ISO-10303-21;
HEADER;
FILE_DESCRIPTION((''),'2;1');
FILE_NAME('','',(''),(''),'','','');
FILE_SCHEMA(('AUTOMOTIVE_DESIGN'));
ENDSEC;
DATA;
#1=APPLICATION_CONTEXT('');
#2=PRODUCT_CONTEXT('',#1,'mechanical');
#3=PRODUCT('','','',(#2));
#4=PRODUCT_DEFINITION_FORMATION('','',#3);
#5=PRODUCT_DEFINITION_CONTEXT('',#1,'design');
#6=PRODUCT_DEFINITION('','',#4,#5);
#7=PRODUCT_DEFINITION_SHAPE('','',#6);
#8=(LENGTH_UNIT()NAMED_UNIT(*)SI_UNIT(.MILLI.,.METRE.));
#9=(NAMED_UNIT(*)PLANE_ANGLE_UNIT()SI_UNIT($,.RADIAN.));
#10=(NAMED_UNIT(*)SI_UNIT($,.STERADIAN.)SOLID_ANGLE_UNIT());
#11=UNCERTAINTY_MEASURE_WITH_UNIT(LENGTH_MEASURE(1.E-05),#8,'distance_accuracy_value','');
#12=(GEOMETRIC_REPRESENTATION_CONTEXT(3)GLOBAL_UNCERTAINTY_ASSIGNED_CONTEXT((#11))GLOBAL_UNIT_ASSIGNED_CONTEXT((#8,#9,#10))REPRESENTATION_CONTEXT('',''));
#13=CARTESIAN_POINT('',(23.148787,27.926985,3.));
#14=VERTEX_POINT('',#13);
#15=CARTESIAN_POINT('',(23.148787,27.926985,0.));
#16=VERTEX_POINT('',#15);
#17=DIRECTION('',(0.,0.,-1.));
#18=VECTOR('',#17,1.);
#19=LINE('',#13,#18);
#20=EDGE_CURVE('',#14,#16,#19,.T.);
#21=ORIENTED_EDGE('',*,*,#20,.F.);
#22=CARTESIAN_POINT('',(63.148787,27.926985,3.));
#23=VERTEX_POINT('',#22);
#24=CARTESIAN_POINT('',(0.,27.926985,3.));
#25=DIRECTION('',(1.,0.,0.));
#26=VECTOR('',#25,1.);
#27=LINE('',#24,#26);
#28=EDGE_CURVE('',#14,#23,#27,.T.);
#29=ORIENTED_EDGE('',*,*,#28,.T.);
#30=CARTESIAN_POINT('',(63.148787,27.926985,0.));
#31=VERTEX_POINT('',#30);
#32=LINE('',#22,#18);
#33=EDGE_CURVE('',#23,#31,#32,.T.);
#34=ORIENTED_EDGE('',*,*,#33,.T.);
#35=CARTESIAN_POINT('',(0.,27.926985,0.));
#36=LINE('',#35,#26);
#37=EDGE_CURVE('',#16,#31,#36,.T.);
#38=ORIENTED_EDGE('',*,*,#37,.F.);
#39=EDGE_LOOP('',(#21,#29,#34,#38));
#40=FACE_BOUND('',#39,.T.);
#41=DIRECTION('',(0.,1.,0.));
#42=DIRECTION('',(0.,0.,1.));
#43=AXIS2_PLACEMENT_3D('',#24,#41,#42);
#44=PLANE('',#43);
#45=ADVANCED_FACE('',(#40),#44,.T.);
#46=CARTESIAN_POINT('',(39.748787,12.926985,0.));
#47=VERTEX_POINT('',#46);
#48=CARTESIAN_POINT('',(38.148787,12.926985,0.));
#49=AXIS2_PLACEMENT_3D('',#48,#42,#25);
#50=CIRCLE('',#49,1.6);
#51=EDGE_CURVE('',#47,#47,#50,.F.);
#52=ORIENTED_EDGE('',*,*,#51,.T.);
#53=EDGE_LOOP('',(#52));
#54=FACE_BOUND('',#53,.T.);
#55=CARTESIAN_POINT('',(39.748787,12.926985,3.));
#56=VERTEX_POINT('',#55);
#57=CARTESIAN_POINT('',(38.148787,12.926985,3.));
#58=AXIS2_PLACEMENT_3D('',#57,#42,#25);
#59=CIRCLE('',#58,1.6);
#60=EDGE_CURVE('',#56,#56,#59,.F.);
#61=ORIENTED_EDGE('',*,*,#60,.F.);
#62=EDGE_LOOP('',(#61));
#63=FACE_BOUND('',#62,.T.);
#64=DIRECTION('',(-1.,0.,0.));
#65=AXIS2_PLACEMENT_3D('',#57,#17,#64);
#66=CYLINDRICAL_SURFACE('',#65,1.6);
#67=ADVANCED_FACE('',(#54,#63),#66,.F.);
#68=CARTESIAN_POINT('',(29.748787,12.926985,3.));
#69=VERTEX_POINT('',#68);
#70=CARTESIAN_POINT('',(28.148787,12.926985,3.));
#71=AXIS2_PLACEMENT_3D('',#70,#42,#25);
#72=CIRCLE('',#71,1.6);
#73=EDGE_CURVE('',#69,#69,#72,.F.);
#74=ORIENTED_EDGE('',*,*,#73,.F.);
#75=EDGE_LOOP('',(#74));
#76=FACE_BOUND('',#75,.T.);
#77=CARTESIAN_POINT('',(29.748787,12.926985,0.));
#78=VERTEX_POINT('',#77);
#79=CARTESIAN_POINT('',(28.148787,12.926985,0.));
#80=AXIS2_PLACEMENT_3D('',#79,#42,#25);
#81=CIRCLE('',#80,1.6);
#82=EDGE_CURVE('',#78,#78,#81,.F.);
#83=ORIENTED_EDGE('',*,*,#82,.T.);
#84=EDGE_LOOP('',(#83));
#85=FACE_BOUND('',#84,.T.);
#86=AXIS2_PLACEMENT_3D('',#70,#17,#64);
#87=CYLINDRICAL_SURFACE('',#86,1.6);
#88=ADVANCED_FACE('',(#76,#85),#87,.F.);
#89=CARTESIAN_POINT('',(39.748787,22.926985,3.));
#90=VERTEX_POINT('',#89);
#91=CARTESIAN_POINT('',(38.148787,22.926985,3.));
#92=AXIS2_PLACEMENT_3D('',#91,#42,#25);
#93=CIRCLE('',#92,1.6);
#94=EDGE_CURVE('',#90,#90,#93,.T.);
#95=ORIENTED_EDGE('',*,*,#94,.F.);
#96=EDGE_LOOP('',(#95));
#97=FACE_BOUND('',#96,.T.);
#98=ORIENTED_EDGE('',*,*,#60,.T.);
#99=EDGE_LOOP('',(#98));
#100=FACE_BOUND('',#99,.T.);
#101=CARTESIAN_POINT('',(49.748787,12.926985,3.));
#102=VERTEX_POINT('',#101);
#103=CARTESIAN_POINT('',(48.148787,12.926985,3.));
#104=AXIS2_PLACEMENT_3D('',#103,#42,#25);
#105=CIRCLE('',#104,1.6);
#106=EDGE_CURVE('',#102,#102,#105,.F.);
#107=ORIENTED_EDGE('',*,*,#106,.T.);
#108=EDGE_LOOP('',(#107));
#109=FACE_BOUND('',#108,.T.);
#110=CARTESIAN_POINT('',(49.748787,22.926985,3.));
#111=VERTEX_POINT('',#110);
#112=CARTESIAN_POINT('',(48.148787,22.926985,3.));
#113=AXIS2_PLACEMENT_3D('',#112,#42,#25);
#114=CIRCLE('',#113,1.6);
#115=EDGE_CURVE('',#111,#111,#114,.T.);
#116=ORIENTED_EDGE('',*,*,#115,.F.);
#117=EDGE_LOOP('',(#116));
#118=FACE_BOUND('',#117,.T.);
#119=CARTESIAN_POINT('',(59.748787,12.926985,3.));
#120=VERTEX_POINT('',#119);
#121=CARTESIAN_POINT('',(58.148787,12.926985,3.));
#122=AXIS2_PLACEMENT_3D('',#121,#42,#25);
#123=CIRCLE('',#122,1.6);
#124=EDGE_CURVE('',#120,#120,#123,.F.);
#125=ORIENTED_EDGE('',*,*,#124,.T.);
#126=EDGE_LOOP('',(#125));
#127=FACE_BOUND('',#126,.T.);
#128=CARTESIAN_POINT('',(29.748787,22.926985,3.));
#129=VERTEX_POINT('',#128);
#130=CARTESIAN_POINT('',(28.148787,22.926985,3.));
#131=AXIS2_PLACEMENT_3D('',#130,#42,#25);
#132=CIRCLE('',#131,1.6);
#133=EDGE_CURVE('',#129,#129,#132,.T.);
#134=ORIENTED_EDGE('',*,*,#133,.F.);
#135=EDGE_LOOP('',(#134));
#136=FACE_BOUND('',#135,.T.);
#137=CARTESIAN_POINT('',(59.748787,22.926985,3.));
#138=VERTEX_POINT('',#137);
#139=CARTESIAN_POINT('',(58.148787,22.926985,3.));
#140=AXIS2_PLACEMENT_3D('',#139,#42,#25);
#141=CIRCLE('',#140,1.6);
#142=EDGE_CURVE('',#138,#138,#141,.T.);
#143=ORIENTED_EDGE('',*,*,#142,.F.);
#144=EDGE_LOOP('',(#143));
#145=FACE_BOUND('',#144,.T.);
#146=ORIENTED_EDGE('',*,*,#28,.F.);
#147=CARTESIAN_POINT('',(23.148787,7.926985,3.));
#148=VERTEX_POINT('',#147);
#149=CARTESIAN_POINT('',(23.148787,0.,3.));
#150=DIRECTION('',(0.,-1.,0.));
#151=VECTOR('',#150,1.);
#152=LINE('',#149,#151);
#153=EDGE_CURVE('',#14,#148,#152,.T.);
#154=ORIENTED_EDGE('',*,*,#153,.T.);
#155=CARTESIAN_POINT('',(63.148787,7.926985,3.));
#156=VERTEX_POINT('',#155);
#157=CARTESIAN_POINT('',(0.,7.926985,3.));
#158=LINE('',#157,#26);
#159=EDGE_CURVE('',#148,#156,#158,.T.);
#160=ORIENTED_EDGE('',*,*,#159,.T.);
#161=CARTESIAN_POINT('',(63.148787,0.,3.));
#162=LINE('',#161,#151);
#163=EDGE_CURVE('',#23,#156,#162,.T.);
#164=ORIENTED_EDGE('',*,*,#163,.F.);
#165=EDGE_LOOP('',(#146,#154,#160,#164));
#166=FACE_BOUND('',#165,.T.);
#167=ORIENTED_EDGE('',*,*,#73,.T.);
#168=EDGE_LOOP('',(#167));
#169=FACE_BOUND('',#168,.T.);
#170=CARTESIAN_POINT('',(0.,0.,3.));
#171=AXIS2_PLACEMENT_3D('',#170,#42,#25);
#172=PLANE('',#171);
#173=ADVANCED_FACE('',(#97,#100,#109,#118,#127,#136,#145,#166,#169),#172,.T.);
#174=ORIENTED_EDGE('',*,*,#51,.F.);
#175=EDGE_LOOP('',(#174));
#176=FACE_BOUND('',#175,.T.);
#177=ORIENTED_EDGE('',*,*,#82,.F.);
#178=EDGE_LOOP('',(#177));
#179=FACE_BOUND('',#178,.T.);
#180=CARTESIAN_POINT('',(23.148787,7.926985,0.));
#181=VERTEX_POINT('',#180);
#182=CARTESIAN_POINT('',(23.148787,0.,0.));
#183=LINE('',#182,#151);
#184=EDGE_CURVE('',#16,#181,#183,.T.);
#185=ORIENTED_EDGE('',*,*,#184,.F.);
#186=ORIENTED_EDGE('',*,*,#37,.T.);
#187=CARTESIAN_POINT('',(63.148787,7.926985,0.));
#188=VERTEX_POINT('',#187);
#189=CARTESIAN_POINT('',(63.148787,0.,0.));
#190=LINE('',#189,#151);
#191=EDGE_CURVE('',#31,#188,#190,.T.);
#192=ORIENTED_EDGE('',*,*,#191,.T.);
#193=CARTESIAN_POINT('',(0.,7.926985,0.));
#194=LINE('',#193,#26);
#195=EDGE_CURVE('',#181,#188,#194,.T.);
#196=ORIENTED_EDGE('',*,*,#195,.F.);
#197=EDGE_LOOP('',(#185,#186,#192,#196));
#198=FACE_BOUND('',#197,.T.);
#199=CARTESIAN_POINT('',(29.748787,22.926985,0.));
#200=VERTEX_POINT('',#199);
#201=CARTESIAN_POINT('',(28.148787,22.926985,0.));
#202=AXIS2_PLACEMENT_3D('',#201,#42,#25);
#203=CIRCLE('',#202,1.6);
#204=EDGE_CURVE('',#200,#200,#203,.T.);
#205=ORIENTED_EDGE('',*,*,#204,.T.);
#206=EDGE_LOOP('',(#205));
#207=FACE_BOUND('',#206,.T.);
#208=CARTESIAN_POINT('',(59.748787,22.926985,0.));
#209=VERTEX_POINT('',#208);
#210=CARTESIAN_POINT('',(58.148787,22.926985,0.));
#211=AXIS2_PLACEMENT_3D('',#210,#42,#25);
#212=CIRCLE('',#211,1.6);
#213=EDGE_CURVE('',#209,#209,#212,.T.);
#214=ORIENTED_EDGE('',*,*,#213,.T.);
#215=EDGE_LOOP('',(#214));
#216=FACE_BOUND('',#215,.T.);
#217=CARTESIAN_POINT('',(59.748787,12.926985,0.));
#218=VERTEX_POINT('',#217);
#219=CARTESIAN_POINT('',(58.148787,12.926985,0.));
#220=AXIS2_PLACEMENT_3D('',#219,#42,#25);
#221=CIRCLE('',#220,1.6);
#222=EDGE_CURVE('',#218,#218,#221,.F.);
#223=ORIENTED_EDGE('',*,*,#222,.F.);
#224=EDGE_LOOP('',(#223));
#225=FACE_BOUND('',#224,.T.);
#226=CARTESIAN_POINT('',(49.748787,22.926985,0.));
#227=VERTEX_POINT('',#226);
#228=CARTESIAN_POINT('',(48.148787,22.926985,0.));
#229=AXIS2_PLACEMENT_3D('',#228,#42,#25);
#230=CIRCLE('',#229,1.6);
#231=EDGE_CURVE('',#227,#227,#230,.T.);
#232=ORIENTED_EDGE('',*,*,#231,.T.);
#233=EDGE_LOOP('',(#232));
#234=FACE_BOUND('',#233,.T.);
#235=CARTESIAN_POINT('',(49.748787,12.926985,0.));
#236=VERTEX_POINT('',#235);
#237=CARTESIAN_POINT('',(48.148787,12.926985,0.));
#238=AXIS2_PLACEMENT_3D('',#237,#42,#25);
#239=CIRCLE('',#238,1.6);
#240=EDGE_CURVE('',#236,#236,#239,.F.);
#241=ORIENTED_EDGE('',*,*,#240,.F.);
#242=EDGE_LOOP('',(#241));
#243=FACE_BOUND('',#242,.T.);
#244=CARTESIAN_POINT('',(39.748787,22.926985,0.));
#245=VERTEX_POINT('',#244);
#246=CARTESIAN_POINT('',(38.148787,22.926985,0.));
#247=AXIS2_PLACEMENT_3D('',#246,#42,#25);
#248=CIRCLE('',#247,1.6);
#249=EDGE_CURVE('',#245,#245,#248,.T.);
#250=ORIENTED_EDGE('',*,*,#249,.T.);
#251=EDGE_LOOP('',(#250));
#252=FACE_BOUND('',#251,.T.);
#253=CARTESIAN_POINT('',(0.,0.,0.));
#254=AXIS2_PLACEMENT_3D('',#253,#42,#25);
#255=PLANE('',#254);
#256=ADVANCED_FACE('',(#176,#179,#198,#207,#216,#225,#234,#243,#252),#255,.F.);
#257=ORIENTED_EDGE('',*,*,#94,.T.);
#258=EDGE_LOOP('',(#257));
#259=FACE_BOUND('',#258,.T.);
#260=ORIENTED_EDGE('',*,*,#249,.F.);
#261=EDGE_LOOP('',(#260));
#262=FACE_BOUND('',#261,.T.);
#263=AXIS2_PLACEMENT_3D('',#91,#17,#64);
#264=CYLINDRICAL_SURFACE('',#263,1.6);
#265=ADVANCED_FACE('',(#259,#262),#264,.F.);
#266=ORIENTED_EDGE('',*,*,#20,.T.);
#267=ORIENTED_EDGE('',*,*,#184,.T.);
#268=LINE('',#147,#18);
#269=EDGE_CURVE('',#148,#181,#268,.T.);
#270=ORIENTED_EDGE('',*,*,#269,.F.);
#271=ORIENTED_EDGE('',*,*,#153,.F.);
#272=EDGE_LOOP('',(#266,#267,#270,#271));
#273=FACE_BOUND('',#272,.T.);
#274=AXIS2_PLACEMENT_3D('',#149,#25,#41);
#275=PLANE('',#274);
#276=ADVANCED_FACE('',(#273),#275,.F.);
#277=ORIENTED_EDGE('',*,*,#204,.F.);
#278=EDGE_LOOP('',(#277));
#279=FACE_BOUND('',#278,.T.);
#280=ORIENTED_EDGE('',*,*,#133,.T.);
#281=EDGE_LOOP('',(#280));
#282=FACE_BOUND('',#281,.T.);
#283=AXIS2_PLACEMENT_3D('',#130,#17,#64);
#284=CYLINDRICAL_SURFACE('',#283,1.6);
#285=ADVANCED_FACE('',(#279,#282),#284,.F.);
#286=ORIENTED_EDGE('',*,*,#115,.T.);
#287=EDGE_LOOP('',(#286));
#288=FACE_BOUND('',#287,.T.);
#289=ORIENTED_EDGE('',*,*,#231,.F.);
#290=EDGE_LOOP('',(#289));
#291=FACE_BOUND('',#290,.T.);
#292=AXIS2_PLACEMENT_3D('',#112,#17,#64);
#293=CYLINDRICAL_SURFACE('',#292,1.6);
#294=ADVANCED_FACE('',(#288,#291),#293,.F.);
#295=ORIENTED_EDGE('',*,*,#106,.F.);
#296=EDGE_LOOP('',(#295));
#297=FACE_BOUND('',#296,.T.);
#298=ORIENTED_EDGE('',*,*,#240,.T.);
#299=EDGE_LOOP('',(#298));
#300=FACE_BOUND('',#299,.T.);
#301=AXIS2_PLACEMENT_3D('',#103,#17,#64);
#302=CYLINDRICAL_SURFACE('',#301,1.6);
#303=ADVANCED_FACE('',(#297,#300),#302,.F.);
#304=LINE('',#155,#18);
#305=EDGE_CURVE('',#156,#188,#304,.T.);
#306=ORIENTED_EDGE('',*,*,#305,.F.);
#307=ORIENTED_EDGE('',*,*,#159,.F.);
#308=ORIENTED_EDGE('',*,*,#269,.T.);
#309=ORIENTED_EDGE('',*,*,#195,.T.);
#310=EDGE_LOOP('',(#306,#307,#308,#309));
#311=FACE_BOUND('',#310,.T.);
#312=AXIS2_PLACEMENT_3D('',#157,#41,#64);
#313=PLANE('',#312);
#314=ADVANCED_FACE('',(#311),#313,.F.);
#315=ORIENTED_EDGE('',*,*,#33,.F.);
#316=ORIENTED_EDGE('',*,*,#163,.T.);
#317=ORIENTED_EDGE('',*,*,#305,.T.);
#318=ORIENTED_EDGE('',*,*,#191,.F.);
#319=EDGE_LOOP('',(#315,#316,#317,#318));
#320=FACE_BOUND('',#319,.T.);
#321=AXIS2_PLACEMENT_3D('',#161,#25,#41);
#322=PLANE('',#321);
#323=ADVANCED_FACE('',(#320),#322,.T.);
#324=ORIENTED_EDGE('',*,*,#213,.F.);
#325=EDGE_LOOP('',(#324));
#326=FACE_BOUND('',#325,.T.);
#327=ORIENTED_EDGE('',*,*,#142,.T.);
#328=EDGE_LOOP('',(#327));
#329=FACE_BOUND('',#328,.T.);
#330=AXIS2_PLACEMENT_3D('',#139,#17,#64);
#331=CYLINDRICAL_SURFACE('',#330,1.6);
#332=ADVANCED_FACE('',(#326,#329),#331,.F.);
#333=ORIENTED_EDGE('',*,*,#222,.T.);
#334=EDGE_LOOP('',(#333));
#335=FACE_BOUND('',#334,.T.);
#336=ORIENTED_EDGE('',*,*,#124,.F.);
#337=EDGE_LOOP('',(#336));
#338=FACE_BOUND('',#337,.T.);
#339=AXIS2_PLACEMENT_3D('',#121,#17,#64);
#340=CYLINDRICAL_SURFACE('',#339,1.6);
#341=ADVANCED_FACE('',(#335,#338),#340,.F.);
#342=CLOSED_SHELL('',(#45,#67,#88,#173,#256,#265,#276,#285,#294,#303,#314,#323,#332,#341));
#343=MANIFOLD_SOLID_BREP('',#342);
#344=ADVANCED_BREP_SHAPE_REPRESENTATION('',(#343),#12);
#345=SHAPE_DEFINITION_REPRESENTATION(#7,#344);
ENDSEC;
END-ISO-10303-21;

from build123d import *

# Parameters (mm, degrees)
SKETCH_1_W      = 40
SKETCH_1_H      = 20
SKETCH_1_R      = 1.6
EXTRUDE_1_DEPTH = 3


with BuildPart() as part:
    # 草图1 → 凸台-拉伸1 (new body)
    with BuildSketch(Plane.XY):
        with Locations((43.148787463, 17.926985495)):
            Rectangle(SKETCH_1_W, SKETCH_1_H)
        with Locations((48.148787463, 22.926985495)):
            Circle(SKETCH_1_R, mode=Mode.SUBTRACT)
        with Locations((58.148787463, 22.926985495)):
            Circle(SKETCH_1_R, mode=Mode.SUBTRACT)
        with Locations((38.148787463, 22.926985495)):
            Circle(SKETCH_1_R, mode=Mode.SUBTRACT)
        with Locations((28.148787463, 22.926985495)):
            Circle(SKETCH_1_R, mode=Mode.SUBTRACT)
        with Locations((28.148787463, 12.926985495)):
            Circle(SKETCH_1_R, mode=Mode.SUBTRACT)
        with Locations((38.148787463, 12.926985495)):
            Circle(SKETCH_1_R, mode=Mode.SUBTRACT)
        with Locations((48.148787463, 12.926985495)):
            Circle(SKETCH_1_R, mode=Mode.SUBTRACT)
        with Locations((58.148787463, 12.926985495)):
            Circle(SKETCH_1_R, mode=Mode.SUBTRACT)
    extrude(amount=EXTRUDE_1_DEPTH)


solid = part.part
